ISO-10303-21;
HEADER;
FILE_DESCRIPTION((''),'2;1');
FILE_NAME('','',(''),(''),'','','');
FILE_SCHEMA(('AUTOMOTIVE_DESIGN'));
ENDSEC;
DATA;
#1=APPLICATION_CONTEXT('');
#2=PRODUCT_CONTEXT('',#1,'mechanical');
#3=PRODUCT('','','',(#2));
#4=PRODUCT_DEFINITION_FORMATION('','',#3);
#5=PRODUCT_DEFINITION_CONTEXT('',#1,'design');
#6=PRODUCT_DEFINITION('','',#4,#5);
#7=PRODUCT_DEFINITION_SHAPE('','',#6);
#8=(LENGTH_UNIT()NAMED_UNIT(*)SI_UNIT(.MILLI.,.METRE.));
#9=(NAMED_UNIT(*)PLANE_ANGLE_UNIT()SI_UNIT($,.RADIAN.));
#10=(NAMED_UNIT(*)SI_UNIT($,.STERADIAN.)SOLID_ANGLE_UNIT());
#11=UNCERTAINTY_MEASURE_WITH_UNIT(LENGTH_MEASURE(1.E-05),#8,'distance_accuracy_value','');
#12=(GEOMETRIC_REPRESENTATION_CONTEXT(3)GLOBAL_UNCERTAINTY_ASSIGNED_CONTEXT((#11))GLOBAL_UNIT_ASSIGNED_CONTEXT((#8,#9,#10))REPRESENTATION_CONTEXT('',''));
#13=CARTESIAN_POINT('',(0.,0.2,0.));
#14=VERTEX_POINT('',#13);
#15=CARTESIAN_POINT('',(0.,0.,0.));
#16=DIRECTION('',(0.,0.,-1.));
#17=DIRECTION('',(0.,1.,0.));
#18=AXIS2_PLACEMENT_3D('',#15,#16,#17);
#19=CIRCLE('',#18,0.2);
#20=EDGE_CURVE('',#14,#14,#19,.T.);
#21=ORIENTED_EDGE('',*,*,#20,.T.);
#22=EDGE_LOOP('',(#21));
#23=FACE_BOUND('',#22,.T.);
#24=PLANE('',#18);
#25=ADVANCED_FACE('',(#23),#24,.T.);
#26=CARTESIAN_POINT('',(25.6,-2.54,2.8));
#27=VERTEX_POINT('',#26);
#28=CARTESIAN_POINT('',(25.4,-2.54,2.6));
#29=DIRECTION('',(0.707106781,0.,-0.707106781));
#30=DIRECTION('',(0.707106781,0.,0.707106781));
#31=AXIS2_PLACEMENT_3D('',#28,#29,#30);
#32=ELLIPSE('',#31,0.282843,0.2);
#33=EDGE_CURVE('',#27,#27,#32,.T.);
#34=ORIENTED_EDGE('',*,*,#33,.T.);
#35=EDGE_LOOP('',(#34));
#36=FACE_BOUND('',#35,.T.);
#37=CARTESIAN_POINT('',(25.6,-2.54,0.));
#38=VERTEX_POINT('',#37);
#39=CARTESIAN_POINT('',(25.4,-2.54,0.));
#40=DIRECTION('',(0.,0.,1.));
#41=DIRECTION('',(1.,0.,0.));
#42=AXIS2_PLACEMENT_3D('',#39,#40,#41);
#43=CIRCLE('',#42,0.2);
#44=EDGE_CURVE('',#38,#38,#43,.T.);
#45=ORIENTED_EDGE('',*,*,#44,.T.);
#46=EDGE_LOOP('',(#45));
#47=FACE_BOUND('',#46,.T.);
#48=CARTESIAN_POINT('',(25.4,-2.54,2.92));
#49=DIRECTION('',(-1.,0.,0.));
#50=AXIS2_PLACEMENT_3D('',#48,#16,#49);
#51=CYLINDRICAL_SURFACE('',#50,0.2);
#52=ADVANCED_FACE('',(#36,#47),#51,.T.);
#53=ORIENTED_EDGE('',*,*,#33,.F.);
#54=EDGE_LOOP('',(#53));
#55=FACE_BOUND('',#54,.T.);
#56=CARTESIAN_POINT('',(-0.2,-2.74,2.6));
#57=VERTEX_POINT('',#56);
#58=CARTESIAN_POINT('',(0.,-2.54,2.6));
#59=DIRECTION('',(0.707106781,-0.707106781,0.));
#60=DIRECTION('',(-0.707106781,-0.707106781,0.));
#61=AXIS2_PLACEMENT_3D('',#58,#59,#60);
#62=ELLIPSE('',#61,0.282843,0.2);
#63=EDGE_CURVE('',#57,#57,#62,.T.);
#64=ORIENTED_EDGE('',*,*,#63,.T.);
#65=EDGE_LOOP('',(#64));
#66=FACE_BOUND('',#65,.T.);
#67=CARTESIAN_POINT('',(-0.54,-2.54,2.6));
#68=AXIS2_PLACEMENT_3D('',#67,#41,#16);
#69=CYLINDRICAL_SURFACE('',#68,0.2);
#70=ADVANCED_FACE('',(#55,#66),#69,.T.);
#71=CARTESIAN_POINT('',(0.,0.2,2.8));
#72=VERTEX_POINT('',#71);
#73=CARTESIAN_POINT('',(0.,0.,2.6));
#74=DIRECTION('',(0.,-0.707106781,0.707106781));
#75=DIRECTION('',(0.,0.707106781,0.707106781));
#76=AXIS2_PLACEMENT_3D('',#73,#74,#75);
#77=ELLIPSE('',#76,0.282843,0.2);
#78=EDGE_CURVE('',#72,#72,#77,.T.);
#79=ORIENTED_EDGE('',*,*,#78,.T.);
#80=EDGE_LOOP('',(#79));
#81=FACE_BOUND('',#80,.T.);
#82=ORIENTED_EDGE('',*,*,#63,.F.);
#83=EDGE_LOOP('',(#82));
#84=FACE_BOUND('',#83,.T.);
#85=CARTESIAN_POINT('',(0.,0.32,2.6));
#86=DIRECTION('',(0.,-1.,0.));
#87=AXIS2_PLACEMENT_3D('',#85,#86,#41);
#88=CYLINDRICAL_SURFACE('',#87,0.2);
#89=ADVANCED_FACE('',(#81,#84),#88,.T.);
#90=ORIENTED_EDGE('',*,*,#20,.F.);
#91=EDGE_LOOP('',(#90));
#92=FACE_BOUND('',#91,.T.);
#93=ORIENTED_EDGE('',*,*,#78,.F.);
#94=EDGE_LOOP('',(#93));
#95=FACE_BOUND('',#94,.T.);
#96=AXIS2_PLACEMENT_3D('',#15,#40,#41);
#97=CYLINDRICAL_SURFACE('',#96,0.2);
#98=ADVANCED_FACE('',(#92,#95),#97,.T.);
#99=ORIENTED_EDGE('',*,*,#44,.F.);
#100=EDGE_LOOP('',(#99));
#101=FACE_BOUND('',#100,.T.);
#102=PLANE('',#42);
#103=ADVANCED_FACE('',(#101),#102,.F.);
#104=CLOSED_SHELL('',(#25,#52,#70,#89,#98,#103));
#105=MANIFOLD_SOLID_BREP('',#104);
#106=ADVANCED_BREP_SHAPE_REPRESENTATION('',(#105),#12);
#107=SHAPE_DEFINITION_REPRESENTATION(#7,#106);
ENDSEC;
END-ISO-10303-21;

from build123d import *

# Parameters (mm, degrees)
SWEEP1_PROFILE_R = 0.2


with BuildPart() as part:
    # Sweep1: sweep along a curve in space
    with BuildLine() as sweep1_path:
        Line((0, 0, 0), (0, 0, 2.6))
        Line((0, 0, 2.6), (0, -2.54, 2.6))
        Line((0, -2.54, 2.6), (25.4, -2.54, 2.6))
        Line((25.4, -2.54, 2.6), (25.4, -2.54, 0))
    # Sweep1 profile (on start of the path) → Sweep1 (sweep)
    with BuildSketch(Plane.XY):
        Circle(SWEEP1_PROFILE_R)
    sweep(path=sweep1_path.line, transition=Transition.RIGHT)


solid = part.part
